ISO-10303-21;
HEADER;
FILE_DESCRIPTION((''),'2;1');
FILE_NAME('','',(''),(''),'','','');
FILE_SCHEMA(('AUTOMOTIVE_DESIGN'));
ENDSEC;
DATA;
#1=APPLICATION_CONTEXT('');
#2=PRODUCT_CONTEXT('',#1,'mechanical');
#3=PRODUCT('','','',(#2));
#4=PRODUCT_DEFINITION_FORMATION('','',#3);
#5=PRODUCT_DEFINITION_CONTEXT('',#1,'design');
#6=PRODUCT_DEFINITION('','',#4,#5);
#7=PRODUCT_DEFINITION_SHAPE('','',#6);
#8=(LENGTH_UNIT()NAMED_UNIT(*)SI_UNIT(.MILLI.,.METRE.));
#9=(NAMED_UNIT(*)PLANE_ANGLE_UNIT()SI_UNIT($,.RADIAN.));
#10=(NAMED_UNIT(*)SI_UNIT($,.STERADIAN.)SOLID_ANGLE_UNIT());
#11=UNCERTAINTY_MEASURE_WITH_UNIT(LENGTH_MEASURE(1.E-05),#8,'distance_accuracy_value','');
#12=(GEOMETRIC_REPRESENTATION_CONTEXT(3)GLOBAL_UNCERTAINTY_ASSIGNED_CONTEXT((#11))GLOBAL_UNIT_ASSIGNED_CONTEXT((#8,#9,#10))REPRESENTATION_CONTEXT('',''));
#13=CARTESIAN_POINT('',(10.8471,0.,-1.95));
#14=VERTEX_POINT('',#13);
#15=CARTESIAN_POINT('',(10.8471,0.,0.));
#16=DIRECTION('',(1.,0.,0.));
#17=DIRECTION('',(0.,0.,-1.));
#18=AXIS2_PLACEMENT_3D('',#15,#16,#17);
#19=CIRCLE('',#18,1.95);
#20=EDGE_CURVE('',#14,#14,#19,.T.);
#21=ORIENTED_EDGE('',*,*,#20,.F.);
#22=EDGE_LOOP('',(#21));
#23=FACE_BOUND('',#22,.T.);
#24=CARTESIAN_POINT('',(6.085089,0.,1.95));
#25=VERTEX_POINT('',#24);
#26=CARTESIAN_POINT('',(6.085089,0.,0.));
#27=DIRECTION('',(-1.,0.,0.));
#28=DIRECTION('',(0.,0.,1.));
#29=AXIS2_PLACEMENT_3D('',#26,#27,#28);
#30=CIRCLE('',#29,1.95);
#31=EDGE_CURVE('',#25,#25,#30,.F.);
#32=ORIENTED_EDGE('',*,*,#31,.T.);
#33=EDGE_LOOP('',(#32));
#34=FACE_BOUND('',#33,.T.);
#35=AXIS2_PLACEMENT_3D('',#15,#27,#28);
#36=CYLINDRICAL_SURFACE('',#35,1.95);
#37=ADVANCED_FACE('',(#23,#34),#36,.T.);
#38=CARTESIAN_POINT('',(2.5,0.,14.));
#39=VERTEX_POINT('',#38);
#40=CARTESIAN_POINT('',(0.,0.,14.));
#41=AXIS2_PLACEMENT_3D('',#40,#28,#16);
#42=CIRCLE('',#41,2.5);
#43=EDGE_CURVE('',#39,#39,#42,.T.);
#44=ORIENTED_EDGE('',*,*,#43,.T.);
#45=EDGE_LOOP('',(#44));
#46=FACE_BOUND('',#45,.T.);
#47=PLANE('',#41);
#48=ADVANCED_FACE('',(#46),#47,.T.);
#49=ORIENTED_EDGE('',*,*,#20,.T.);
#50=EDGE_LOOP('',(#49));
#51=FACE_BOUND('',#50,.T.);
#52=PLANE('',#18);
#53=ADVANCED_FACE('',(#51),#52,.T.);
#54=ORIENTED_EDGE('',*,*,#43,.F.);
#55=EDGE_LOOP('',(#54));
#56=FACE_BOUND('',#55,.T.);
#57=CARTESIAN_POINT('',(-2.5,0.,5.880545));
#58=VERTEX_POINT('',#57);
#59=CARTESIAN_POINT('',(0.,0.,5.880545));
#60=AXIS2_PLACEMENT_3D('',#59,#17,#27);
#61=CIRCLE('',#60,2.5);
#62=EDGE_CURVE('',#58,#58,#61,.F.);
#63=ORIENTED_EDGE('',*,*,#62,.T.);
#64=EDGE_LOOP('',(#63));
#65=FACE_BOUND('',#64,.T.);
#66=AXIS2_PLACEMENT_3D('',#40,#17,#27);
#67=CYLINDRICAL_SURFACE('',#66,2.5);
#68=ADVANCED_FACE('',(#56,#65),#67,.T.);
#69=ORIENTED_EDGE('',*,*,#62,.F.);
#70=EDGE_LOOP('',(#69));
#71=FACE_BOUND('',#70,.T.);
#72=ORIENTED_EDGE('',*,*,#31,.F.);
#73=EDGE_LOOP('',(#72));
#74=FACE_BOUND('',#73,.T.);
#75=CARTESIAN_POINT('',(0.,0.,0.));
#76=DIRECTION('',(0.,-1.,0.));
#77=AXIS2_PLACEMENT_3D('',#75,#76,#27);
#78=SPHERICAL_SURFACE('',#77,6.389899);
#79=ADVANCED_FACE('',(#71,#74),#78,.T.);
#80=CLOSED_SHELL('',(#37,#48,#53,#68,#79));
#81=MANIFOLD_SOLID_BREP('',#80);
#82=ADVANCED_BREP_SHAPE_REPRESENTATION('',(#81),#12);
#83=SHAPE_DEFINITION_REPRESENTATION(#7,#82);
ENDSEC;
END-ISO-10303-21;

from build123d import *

# Parameters (mm, degrees)
ESQUISSE2_R        = 2.5
BOSS_EXTRU_1_DEPTH = 14
ESQUISSE3_R        = 1.95
BOSS_EXTRU_2_DEPTH = 10


with BuildPart() as part:
    # Esquisse1 → Révolution3 (revolve)
    with BuildSketch(Plane.XY):
        with BuildLine():
            Line((0, 6.389898843), (0, -6.389898843))
            ThreePointArc((0, -6.389898843), (-6.389898843, 0), (0, 6.389898843))
        make_face()
    revolve(axis=Axis((0, 0, 0), (0, 1, 0)))

    # Esquisse2 → Boss.-Extru.1 (add)
    with BuildSketch(Plane.XY):
        with Locations(Location((0, 0, 0), (0, 0, 180))):
            Circle(ESQUISSE2_R)
    extrude(amount=BOSS_EXTRU_1_DEPTH)

    # Esquisse3 → Boss.-Extru.2 (add)
    with BuildSketch(Plane(origin=(0.84709995, 0, 0), x_dir=(0, 0, -1), z_dir=(1, 0, 0))):
        with Locations(Location((0, 0, 0), (0, 0, 180))):
            Circle(ESQUISSE3_R)
    extrude(amount=BOSS_EXTRU_2_DEPTH)


solid = part.part
